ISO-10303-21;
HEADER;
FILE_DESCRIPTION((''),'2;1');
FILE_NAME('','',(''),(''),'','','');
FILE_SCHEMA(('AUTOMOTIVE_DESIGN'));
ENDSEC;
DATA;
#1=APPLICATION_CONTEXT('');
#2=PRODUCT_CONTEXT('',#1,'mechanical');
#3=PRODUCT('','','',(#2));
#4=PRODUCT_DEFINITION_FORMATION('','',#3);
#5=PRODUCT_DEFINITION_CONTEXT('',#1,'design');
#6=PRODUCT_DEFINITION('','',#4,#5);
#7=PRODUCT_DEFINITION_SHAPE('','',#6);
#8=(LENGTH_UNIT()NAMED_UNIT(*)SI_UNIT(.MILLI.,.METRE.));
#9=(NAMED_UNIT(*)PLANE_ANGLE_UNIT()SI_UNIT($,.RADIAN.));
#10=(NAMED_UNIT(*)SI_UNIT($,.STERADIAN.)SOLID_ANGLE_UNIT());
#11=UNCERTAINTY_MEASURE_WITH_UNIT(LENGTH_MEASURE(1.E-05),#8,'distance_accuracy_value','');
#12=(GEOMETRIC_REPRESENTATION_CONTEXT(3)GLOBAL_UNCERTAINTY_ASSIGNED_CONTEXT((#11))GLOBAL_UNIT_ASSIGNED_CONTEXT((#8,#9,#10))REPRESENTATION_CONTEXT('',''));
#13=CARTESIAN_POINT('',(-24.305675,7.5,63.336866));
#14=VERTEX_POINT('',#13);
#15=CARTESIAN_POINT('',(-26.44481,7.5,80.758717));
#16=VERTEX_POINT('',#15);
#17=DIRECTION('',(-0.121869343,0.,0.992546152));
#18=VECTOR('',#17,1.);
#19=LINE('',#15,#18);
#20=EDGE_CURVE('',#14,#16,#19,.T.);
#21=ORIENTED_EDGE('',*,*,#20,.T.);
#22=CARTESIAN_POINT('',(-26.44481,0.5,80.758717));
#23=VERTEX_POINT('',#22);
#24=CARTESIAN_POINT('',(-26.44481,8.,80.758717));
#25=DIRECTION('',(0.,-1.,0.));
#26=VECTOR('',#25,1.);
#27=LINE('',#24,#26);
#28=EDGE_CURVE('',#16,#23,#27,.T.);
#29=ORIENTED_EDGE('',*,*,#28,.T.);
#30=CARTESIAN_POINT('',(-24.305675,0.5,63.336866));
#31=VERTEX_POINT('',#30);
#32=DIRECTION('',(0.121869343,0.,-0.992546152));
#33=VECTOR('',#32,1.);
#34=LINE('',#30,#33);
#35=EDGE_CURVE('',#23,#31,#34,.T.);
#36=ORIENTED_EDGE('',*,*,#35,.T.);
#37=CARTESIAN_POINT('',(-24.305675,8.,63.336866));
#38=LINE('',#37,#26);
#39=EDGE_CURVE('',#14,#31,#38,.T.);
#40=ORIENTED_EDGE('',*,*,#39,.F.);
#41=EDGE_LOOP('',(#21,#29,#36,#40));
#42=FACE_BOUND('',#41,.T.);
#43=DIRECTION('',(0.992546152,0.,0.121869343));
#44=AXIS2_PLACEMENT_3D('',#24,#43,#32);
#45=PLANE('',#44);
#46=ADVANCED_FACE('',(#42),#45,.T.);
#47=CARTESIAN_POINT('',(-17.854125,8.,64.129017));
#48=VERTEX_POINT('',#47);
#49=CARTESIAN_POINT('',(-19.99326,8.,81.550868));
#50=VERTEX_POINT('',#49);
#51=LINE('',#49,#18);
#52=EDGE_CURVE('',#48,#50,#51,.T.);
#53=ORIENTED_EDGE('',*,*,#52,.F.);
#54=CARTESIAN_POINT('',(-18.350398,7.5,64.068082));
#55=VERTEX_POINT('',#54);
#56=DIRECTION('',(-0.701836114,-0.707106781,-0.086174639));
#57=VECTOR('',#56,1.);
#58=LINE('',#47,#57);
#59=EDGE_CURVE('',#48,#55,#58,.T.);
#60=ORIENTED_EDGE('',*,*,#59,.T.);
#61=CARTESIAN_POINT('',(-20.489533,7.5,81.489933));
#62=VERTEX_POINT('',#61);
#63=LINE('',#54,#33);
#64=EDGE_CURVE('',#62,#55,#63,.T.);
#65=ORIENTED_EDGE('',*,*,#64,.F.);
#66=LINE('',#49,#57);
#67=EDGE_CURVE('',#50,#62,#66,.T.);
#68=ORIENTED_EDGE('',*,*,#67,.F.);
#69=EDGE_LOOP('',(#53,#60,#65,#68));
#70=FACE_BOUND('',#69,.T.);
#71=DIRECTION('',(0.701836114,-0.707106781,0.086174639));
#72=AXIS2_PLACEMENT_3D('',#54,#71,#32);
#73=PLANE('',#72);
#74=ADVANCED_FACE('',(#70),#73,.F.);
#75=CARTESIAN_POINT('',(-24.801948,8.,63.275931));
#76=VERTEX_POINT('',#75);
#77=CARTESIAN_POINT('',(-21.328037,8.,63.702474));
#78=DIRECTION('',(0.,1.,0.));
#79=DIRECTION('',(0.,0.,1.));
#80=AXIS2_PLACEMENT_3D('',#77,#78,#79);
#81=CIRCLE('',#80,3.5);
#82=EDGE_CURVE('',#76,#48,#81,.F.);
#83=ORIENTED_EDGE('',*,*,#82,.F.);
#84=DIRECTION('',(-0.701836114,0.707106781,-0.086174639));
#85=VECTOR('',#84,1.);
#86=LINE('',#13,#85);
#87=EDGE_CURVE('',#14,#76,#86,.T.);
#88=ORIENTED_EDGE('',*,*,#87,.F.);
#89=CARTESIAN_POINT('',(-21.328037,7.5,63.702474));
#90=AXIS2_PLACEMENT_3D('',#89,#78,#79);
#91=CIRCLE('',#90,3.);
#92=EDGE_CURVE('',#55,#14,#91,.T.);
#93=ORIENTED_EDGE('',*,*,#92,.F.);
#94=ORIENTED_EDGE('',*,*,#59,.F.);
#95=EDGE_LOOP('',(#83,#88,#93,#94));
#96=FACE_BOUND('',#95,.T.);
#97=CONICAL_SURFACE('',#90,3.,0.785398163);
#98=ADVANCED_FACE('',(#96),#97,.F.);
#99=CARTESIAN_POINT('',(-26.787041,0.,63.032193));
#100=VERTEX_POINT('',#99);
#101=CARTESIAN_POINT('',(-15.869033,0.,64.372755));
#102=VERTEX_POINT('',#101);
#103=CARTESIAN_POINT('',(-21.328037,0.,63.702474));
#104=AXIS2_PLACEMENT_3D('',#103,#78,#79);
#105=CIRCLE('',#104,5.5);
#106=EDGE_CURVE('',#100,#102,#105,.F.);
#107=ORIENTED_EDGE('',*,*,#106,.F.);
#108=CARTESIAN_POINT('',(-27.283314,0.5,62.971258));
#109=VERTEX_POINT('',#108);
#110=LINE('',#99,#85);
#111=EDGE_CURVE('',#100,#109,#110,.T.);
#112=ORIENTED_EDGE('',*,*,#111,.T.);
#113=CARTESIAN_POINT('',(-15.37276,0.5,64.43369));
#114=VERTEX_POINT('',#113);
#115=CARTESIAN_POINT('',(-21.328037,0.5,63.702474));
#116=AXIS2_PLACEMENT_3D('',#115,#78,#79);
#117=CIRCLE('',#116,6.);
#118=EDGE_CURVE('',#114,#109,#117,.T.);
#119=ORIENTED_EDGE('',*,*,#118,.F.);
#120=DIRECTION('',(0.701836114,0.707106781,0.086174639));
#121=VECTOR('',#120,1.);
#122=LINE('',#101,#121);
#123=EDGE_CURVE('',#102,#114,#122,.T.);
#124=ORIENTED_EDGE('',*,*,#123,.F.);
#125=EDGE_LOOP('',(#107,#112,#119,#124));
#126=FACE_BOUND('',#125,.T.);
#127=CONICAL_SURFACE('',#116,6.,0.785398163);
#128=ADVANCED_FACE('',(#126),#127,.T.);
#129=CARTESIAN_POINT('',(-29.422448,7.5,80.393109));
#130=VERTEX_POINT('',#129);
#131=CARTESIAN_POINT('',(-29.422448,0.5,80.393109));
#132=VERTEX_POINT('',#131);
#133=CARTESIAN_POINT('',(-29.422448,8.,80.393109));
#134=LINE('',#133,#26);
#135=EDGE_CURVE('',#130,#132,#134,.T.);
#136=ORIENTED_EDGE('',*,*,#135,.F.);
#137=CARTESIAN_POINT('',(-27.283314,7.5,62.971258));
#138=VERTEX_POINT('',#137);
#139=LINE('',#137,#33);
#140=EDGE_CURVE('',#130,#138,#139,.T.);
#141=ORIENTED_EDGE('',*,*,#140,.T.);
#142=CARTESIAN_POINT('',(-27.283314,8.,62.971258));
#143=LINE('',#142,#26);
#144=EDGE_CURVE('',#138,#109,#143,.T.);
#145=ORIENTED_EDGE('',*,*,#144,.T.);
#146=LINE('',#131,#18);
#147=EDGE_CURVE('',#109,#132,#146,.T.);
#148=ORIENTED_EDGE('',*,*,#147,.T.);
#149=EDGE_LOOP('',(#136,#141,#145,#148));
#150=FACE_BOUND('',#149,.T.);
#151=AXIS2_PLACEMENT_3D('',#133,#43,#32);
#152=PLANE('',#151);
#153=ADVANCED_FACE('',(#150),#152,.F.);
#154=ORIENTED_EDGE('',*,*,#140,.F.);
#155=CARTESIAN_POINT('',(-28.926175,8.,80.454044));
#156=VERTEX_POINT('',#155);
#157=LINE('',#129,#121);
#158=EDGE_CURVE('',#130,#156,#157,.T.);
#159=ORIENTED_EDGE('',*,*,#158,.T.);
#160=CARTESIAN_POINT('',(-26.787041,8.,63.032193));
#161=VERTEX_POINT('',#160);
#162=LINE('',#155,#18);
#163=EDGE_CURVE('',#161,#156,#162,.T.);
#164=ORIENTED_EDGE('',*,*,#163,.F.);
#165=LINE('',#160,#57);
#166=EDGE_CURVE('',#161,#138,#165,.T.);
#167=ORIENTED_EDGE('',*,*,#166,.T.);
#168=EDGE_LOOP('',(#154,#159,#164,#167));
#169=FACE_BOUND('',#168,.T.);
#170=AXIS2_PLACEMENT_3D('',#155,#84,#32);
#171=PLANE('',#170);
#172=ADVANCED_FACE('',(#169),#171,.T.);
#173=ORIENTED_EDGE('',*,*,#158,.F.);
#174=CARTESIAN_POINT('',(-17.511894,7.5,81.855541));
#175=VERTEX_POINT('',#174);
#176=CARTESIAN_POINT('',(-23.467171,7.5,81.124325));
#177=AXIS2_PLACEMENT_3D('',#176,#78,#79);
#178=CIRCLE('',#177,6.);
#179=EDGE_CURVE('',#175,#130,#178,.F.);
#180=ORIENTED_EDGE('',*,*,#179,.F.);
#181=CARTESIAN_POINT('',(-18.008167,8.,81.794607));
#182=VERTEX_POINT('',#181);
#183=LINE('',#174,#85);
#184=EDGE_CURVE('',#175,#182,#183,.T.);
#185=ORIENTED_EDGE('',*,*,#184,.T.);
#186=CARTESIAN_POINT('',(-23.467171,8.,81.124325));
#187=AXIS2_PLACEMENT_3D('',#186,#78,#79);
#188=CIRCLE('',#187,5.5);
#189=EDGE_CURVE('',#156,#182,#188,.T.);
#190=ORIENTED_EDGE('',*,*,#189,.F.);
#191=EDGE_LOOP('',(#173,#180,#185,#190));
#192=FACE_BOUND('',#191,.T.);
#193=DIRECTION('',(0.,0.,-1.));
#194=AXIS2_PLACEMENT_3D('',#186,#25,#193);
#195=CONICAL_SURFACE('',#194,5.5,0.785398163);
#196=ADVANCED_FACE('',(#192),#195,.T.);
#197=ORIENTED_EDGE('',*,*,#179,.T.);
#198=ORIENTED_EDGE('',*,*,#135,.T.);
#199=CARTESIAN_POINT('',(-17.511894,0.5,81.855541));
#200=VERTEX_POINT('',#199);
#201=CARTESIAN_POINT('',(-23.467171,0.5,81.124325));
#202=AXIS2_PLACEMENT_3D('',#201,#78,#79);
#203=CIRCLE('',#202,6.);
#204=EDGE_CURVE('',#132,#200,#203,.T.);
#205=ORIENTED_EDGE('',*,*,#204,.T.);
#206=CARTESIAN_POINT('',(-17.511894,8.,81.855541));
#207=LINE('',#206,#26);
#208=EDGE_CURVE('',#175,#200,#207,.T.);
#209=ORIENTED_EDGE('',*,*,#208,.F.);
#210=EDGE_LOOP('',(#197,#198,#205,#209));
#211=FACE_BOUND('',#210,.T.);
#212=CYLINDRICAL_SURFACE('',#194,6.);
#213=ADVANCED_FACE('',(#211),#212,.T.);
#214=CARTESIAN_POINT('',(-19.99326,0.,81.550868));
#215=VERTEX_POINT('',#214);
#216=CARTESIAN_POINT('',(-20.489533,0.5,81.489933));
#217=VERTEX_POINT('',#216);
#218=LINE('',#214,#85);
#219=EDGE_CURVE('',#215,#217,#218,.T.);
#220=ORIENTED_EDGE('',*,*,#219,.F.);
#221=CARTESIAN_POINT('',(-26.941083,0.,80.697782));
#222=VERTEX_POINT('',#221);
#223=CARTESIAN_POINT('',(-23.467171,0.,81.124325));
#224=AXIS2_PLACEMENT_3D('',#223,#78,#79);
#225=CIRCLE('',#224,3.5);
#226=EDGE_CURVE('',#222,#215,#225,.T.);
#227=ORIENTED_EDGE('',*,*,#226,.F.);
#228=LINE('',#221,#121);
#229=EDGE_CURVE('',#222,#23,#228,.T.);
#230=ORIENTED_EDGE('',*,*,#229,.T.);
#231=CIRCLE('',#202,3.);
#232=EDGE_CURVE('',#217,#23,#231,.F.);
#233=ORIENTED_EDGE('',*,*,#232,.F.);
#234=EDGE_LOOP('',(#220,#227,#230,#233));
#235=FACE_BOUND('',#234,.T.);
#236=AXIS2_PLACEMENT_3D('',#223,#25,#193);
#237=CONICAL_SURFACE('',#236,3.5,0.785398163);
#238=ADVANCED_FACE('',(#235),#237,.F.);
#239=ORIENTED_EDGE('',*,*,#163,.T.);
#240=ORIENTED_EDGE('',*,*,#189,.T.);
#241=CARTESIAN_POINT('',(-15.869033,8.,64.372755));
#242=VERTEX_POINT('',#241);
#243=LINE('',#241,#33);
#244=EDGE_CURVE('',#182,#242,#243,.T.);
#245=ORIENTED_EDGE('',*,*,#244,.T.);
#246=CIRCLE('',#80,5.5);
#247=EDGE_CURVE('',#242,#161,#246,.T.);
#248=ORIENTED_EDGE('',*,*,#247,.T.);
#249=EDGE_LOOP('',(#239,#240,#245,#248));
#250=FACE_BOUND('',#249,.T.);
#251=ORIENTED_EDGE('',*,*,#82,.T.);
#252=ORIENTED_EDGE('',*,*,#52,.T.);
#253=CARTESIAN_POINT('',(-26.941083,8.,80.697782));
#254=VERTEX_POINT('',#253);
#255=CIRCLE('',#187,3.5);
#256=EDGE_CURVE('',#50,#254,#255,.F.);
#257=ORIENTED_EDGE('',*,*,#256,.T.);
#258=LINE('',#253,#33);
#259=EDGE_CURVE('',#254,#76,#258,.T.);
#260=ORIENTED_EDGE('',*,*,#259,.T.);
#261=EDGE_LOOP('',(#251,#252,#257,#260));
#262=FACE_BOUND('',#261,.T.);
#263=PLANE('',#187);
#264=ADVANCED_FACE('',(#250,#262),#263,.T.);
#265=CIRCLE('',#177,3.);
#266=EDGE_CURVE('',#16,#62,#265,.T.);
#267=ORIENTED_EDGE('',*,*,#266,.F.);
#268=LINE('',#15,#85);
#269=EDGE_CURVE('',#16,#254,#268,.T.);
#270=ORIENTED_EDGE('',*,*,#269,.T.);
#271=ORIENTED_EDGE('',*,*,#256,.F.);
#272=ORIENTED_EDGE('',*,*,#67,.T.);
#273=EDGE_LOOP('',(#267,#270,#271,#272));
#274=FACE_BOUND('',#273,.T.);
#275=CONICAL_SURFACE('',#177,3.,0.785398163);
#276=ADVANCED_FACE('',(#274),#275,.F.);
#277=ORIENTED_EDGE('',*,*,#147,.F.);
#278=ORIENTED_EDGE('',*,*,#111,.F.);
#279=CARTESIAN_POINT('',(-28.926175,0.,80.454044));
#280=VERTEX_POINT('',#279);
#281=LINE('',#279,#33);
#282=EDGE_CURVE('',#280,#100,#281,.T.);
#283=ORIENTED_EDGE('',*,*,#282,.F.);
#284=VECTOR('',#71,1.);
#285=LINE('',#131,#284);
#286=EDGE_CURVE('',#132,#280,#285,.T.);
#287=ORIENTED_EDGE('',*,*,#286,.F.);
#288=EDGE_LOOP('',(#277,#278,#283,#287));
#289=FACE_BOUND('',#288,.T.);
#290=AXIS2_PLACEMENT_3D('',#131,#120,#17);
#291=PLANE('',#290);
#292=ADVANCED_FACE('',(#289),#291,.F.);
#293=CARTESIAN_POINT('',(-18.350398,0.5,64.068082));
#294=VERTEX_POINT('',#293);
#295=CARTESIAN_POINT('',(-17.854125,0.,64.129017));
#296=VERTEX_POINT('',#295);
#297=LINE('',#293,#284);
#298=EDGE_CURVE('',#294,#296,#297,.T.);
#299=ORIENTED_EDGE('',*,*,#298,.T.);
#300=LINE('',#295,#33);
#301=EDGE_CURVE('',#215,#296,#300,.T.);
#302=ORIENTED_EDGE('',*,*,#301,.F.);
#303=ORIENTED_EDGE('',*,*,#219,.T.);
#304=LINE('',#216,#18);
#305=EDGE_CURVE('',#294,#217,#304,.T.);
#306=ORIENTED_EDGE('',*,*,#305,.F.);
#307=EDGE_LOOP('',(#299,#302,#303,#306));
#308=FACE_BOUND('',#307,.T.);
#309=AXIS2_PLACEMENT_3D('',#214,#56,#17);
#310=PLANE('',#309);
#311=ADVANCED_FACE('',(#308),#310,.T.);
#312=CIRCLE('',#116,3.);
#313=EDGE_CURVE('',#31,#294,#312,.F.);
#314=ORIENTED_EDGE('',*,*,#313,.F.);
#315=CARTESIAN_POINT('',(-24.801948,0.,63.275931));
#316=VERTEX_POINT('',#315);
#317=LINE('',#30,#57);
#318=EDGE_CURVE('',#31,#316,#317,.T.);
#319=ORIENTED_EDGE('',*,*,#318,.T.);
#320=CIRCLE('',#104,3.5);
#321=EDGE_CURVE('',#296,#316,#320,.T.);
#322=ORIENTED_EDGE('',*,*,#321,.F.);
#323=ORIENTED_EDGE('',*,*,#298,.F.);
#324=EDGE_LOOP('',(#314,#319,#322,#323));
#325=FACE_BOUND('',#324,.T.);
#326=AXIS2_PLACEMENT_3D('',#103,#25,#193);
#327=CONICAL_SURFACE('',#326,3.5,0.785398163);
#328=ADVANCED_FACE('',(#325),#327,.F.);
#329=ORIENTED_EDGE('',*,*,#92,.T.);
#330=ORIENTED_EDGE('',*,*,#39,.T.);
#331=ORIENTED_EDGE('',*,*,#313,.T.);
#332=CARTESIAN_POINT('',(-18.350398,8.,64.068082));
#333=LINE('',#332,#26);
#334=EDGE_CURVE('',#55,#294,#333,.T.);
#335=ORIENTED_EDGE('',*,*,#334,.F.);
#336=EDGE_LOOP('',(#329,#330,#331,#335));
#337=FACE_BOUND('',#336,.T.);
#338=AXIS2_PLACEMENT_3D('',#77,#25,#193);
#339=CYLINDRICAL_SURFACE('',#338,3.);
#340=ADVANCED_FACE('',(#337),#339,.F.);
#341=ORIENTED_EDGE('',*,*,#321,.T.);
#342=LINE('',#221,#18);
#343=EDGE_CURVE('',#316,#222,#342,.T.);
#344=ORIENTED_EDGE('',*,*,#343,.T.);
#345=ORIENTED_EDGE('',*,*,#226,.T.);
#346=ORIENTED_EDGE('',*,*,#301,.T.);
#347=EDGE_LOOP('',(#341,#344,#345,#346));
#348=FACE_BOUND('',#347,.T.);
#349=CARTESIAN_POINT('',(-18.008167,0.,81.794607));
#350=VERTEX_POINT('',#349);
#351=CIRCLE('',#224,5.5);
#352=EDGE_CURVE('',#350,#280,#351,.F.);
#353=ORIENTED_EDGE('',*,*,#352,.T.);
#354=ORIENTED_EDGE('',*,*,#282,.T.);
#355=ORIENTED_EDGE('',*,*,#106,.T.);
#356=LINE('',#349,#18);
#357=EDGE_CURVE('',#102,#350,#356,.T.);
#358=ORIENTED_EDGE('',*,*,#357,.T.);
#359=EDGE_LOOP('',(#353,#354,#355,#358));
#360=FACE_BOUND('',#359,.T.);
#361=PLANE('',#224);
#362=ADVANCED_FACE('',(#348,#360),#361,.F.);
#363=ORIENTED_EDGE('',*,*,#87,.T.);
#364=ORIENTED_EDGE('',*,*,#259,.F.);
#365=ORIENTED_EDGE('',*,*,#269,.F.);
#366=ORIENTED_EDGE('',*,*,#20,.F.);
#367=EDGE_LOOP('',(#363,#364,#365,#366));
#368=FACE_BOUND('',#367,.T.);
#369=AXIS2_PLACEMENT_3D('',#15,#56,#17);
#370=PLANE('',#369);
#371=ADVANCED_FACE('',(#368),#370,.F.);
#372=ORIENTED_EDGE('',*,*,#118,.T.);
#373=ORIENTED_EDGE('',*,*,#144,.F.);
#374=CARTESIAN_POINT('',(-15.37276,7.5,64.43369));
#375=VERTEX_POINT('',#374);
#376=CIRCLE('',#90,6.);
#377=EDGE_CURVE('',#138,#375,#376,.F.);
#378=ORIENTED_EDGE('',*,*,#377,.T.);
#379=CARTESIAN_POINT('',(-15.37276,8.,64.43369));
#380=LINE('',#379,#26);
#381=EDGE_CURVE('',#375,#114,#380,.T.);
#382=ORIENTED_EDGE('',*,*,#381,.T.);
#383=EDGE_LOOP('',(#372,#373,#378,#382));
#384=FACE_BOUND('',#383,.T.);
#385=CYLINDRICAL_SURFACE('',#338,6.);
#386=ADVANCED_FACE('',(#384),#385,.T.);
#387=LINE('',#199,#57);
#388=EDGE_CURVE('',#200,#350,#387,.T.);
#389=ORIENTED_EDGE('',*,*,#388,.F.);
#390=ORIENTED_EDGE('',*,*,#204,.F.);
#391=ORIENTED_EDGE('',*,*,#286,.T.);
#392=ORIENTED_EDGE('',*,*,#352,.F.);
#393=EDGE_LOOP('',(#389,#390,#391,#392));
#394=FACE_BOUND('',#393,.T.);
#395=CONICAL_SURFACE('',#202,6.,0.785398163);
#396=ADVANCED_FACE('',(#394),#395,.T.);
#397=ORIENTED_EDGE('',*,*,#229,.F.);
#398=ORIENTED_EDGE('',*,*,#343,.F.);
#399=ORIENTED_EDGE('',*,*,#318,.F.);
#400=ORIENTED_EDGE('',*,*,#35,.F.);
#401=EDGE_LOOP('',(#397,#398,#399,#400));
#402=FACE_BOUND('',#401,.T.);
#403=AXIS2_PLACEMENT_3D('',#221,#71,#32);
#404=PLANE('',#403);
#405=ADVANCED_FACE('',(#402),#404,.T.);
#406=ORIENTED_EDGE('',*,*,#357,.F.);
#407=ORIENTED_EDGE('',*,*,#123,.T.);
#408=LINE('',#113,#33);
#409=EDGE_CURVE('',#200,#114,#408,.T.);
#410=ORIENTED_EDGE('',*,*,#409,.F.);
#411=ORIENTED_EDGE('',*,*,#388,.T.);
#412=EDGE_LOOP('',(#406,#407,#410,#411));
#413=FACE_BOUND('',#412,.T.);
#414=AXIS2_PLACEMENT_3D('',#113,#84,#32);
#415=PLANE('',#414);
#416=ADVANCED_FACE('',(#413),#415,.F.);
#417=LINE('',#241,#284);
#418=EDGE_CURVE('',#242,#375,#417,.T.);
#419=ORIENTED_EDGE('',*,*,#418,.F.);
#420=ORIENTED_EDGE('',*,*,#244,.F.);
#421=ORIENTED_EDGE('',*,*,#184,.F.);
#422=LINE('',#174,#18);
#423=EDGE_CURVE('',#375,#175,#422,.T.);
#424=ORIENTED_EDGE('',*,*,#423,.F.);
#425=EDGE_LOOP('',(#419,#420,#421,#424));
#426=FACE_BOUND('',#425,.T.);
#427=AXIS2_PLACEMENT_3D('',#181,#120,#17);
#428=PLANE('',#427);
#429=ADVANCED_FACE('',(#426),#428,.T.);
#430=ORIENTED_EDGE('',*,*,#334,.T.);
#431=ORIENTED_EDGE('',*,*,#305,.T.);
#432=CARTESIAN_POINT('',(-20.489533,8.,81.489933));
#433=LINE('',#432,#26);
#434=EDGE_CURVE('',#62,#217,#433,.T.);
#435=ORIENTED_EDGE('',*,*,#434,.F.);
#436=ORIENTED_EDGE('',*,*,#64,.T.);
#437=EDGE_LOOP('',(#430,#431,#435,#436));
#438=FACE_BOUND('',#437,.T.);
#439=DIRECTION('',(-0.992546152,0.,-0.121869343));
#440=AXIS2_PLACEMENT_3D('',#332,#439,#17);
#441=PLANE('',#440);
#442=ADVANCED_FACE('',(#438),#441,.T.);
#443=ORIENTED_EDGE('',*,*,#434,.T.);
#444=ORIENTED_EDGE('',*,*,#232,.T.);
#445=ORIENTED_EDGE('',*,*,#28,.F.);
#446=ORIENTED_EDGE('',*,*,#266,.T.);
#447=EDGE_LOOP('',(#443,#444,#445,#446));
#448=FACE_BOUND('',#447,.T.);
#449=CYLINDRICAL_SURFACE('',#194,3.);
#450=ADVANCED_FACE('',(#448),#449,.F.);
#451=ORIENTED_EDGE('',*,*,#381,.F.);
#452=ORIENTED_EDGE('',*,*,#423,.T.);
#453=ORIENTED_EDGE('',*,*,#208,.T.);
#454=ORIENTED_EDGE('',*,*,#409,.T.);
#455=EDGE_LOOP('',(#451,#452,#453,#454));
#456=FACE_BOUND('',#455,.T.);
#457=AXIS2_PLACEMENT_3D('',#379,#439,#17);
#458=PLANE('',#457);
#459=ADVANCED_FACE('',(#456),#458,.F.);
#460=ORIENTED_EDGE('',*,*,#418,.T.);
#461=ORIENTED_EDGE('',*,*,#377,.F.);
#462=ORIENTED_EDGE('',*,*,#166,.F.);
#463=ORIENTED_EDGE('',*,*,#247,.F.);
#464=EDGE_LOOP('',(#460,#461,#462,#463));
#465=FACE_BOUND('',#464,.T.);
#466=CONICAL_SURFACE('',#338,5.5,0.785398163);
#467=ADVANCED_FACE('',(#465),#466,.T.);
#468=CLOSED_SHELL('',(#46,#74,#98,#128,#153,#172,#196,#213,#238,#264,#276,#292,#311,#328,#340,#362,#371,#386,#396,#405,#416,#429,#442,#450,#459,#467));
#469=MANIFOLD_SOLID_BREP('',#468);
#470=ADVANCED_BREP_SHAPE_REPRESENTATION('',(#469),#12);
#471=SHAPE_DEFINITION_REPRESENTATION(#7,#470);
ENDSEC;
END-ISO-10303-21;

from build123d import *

# Parameters (mm, degrees)
BOSS_EXTRUDE1_DEPTH = 8
CHAMFER1_SIZE       = 0.5


with BuildPart() as part:
    # Sketch1 → Boss-Extrude1 (new body)
    with BuildSketch(Plane(origin=(0, 0, 0), x_dir=(1, 0, 0), z_dir=(0, 1, 0))):
        with BuildLine():
            Line((-29.422447973, -80.393109081), (-27.283313621, -62.971257862))
            ThreePointArc((-27.283313621, -62.971257862), (-20.596820651, -57.747197013), (-15.372759802, -64.433689983))
            Line((-15.372759802, -64.433689983), (-17.511894154, -81.855541202))
            ThreePointArc((-17.511894154, -81.855541202), (-24.198387124, -87.079602051), (-29.422447973, -80.393109081))
        make_face()
        with BuildLine():
            Line((-26.444809519, -80.758717111), (-24.305675167, -63.336865893))
            ThreePointArc((-24.305675167, -63.336865893), (-20.962428681, -60.724835468), (-18.350398257, -64.068081953))
            Line((-18.350398257, -64.068081953), (-20.489532609, -81.489933172))
            ThreePointArc((-20.489532609, -81.489933172), (-23.832779094, -84.101963596), (-26.444809519, -80.758717111))
        make_face(mode=Mode.SUBTRACT)
    extrude(amount=BOSS_EXTRUDE1_DEPTH)

    # Chamfer1
    chamfer1_edges = [part.edges().sort_by_distance(p)[0] for p in [
        (-20.596820651, 8, 57.747197013),
        (-28.352880797, 8, 71.682183472),
        (-20.962428681, 0, 60.724835468),
        (-25.375242343, 0, 72.047791502),
        (-23.832779094, 0, 84.101963596),
        (-19.419965433, 0, 72.779007562),
        (-20.962428681, 8, 60.724835468),
        (-25.375242343, 8, 72.047791502),
        (-23.832779094, 8, 84.101963596),
        (-19.419965433, 8, 72.779007562),
        (-24.198387124, 8, 87.079602051),
        (-28.352880797, 0, 71.682183472),
        (-20.596820651, 0, 57.747197013),
        (-16.442326978, 0, 73.144615593),
        (-24.198387124, 0, 87.079602051),
        (-16.442326978, 8, 73.144615593),
    ]]
    chamfer(chamfer1_edges, length=CHAMFER1_SIZE)


solid = part.part
